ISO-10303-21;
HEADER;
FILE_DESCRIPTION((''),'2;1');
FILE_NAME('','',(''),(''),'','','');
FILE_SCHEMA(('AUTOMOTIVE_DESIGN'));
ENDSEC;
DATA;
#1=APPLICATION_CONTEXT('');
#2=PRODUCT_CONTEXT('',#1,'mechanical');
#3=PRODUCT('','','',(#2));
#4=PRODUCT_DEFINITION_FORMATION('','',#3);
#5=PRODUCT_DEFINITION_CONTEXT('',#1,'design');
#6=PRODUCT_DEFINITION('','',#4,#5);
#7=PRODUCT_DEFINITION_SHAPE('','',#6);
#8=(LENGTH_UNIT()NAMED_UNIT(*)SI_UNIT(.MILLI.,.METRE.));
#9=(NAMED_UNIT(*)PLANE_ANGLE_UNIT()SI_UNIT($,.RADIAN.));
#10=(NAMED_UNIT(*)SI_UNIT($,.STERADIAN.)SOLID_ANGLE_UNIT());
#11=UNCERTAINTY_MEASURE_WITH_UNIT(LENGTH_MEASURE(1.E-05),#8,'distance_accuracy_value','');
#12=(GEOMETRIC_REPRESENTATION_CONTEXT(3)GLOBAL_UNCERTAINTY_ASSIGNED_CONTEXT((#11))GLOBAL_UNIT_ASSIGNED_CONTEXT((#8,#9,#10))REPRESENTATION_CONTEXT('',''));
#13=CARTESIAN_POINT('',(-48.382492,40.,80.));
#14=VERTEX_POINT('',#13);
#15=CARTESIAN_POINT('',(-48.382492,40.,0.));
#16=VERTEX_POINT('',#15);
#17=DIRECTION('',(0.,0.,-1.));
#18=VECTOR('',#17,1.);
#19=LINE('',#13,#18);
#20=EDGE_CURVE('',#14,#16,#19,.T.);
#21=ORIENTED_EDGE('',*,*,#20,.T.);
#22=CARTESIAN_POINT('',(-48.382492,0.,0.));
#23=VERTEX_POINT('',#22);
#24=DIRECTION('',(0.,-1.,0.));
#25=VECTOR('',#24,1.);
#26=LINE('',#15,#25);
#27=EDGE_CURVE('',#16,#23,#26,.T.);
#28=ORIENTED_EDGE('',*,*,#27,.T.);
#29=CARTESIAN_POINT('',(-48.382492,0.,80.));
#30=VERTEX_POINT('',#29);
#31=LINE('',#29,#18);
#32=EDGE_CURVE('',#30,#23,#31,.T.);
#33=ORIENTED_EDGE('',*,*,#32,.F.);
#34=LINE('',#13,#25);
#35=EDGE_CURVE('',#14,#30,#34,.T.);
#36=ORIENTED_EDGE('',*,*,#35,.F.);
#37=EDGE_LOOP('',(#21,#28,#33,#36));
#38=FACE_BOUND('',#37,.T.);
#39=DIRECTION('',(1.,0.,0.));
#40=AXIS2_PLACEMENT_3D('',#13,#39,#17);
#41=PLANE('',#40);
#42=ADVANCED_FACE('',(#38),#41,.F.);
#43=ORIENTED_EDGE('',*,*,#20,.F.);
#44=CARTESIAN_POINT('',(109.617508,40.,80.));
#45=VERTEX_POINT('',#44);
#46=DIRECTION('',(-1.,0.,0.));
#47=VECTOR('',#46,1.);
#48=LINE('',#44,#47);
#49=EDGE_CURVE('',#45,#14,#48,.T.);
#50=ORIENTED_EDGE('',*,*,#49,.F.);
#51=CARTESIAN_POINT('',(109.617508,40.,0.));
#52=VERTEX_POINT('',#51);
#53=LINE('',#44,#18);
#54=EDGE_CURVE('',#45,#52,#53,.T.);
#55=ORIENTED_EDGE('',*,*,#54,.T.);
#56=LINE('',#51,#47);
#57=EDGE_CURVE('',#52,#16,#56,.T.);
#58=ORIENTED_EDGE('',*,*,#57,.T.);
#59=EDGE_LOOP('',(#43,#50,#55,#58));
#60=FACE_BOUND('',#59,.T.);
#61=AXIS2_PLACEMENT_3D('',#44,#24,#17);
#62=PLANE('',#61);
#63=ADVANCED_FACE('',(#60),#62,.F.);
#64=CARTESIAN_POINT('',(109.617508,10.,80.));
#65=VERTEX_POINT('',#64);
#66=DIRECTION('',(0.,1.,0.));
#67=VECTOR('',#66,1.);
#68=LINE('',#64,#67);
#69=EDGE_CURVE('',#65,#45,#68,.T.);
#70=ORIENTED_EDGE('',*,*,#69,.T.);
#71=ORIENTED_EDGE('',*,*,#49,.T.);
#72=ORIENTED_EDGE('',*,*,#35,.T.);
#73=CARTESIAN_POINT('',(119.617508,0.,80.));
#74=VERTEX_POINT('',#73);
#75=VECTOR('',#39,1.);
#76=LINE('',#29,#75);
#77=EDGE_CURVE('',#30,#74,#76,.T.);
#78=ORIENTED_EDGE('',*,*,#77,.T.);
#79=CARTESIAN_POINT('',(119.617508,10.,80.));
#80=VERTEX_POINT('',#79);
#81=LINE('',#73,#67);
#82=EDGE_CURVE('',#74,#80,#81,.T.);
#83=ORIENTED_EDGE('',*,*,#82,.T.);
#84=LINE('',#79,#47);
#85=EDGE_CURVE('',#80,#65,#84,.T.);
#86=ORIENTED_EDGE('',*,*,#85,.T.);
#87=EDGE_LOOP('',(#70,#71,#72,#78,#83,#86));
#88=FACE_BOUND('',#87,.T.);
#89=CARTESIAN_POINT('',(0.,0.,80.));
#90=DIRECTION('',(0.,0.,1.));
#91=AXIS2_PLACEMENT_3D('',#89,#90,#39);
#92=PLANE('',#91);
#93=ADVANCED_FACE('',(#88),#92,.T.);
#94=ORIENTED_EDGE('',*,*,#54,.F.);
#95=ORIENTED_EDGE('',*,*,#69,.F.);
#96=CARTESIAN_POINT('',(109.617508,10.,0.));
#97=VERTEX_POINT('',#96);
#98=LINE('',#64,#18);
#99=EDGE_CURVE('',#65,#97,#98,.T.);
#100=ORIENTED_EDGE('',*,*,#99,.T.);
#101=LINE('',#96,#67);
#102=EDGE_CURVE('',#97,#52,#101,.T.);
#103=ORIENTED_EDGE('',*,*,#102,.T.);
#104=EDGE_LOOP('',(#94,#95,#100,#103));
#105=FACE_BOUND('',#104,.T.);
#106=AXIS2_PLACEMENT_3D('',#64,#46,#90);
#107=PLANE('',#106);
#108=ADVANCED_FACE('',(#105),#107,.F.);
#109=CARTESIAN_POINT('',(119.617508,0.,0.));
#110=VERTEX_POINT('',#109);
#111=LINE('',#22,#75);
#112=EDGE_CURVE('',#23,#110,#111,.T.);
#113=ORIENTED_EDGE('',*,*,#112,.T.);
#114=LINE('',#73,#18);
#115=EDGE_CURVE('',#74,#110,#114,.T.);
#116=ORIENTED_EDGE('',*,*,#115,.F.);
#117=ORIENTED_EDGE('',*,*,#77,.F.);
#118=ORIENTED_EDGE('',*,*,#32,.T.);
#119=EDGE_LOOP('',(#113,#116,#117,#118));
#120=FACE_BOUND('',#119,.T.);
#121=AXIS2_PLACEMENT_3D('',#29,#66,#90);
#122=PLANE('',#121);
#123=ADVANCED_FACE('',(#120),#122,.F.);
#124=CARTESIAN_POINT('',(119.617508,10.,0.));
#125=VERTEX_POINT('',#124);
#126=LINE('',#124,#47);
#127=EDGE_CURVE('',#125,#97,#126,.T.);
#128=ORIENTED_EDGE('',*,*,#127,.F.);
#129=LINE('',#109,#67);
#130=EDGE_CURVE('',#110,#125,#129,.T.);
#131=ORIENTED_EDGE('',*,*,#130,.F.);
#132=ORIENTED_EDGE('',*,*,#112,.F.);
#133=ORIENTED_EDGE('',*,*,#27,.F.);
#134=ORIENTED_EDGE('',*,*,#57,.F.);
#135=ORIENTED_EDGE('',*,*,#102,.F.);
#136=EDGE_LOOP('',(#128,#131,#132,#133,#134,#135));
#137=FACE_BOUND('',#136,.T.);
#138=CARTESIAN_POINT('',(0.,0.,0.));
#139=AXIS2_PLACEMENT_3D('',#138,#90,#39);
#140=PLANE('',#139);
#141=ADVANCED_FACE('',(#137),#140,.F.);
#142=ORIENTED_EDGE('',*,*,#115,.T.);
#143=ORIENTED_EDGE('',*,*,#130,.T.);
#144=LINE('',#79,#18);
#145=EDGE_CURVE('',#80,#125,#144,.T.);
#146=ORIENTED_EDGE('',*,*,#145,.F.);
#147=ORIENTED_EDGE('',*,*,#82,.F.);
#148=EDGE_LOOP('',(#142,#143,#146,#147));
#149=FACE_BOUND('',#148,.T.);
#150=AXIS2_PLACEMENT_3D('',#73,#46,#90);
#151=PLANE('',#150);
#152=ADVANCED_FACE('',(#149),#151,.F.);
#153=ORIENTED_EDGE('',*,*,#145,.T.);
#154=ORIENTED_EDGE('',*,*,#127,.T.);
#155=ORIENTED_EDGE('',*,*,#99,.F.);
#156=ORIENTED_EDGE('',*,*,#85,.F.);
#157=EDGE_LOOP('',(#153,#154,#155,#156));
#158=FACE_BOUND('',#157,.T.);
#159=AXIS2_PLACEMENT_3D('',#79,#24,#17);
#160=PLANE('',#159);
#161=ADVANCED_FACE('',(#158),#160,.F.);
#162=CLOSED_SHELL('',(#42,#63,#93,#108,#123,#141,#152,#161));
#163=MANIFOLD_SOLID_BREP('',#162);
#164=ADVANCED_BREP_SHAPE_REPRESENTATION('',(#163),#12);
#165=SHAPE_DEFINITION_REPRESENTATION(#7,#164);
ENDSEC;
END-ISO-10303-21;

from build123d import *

# Parameters (mm, degrees)
EXTRUDE_1_DEPTH = 80


with BuildPart() as part:
    # 草图1 → 凸台-拉伸1 (new body)
    with BuildSketch(Plane.XY):
        Polygon((-48.38249244, 0), (119.61750756, 0), (119.61750756, 10), (109.61750756, 10), (109.61750756, 40), (-48.38249244, 40), align=None)
    extrude(amount=EXTRUDE_1_DEPTH)


solid = part.part
